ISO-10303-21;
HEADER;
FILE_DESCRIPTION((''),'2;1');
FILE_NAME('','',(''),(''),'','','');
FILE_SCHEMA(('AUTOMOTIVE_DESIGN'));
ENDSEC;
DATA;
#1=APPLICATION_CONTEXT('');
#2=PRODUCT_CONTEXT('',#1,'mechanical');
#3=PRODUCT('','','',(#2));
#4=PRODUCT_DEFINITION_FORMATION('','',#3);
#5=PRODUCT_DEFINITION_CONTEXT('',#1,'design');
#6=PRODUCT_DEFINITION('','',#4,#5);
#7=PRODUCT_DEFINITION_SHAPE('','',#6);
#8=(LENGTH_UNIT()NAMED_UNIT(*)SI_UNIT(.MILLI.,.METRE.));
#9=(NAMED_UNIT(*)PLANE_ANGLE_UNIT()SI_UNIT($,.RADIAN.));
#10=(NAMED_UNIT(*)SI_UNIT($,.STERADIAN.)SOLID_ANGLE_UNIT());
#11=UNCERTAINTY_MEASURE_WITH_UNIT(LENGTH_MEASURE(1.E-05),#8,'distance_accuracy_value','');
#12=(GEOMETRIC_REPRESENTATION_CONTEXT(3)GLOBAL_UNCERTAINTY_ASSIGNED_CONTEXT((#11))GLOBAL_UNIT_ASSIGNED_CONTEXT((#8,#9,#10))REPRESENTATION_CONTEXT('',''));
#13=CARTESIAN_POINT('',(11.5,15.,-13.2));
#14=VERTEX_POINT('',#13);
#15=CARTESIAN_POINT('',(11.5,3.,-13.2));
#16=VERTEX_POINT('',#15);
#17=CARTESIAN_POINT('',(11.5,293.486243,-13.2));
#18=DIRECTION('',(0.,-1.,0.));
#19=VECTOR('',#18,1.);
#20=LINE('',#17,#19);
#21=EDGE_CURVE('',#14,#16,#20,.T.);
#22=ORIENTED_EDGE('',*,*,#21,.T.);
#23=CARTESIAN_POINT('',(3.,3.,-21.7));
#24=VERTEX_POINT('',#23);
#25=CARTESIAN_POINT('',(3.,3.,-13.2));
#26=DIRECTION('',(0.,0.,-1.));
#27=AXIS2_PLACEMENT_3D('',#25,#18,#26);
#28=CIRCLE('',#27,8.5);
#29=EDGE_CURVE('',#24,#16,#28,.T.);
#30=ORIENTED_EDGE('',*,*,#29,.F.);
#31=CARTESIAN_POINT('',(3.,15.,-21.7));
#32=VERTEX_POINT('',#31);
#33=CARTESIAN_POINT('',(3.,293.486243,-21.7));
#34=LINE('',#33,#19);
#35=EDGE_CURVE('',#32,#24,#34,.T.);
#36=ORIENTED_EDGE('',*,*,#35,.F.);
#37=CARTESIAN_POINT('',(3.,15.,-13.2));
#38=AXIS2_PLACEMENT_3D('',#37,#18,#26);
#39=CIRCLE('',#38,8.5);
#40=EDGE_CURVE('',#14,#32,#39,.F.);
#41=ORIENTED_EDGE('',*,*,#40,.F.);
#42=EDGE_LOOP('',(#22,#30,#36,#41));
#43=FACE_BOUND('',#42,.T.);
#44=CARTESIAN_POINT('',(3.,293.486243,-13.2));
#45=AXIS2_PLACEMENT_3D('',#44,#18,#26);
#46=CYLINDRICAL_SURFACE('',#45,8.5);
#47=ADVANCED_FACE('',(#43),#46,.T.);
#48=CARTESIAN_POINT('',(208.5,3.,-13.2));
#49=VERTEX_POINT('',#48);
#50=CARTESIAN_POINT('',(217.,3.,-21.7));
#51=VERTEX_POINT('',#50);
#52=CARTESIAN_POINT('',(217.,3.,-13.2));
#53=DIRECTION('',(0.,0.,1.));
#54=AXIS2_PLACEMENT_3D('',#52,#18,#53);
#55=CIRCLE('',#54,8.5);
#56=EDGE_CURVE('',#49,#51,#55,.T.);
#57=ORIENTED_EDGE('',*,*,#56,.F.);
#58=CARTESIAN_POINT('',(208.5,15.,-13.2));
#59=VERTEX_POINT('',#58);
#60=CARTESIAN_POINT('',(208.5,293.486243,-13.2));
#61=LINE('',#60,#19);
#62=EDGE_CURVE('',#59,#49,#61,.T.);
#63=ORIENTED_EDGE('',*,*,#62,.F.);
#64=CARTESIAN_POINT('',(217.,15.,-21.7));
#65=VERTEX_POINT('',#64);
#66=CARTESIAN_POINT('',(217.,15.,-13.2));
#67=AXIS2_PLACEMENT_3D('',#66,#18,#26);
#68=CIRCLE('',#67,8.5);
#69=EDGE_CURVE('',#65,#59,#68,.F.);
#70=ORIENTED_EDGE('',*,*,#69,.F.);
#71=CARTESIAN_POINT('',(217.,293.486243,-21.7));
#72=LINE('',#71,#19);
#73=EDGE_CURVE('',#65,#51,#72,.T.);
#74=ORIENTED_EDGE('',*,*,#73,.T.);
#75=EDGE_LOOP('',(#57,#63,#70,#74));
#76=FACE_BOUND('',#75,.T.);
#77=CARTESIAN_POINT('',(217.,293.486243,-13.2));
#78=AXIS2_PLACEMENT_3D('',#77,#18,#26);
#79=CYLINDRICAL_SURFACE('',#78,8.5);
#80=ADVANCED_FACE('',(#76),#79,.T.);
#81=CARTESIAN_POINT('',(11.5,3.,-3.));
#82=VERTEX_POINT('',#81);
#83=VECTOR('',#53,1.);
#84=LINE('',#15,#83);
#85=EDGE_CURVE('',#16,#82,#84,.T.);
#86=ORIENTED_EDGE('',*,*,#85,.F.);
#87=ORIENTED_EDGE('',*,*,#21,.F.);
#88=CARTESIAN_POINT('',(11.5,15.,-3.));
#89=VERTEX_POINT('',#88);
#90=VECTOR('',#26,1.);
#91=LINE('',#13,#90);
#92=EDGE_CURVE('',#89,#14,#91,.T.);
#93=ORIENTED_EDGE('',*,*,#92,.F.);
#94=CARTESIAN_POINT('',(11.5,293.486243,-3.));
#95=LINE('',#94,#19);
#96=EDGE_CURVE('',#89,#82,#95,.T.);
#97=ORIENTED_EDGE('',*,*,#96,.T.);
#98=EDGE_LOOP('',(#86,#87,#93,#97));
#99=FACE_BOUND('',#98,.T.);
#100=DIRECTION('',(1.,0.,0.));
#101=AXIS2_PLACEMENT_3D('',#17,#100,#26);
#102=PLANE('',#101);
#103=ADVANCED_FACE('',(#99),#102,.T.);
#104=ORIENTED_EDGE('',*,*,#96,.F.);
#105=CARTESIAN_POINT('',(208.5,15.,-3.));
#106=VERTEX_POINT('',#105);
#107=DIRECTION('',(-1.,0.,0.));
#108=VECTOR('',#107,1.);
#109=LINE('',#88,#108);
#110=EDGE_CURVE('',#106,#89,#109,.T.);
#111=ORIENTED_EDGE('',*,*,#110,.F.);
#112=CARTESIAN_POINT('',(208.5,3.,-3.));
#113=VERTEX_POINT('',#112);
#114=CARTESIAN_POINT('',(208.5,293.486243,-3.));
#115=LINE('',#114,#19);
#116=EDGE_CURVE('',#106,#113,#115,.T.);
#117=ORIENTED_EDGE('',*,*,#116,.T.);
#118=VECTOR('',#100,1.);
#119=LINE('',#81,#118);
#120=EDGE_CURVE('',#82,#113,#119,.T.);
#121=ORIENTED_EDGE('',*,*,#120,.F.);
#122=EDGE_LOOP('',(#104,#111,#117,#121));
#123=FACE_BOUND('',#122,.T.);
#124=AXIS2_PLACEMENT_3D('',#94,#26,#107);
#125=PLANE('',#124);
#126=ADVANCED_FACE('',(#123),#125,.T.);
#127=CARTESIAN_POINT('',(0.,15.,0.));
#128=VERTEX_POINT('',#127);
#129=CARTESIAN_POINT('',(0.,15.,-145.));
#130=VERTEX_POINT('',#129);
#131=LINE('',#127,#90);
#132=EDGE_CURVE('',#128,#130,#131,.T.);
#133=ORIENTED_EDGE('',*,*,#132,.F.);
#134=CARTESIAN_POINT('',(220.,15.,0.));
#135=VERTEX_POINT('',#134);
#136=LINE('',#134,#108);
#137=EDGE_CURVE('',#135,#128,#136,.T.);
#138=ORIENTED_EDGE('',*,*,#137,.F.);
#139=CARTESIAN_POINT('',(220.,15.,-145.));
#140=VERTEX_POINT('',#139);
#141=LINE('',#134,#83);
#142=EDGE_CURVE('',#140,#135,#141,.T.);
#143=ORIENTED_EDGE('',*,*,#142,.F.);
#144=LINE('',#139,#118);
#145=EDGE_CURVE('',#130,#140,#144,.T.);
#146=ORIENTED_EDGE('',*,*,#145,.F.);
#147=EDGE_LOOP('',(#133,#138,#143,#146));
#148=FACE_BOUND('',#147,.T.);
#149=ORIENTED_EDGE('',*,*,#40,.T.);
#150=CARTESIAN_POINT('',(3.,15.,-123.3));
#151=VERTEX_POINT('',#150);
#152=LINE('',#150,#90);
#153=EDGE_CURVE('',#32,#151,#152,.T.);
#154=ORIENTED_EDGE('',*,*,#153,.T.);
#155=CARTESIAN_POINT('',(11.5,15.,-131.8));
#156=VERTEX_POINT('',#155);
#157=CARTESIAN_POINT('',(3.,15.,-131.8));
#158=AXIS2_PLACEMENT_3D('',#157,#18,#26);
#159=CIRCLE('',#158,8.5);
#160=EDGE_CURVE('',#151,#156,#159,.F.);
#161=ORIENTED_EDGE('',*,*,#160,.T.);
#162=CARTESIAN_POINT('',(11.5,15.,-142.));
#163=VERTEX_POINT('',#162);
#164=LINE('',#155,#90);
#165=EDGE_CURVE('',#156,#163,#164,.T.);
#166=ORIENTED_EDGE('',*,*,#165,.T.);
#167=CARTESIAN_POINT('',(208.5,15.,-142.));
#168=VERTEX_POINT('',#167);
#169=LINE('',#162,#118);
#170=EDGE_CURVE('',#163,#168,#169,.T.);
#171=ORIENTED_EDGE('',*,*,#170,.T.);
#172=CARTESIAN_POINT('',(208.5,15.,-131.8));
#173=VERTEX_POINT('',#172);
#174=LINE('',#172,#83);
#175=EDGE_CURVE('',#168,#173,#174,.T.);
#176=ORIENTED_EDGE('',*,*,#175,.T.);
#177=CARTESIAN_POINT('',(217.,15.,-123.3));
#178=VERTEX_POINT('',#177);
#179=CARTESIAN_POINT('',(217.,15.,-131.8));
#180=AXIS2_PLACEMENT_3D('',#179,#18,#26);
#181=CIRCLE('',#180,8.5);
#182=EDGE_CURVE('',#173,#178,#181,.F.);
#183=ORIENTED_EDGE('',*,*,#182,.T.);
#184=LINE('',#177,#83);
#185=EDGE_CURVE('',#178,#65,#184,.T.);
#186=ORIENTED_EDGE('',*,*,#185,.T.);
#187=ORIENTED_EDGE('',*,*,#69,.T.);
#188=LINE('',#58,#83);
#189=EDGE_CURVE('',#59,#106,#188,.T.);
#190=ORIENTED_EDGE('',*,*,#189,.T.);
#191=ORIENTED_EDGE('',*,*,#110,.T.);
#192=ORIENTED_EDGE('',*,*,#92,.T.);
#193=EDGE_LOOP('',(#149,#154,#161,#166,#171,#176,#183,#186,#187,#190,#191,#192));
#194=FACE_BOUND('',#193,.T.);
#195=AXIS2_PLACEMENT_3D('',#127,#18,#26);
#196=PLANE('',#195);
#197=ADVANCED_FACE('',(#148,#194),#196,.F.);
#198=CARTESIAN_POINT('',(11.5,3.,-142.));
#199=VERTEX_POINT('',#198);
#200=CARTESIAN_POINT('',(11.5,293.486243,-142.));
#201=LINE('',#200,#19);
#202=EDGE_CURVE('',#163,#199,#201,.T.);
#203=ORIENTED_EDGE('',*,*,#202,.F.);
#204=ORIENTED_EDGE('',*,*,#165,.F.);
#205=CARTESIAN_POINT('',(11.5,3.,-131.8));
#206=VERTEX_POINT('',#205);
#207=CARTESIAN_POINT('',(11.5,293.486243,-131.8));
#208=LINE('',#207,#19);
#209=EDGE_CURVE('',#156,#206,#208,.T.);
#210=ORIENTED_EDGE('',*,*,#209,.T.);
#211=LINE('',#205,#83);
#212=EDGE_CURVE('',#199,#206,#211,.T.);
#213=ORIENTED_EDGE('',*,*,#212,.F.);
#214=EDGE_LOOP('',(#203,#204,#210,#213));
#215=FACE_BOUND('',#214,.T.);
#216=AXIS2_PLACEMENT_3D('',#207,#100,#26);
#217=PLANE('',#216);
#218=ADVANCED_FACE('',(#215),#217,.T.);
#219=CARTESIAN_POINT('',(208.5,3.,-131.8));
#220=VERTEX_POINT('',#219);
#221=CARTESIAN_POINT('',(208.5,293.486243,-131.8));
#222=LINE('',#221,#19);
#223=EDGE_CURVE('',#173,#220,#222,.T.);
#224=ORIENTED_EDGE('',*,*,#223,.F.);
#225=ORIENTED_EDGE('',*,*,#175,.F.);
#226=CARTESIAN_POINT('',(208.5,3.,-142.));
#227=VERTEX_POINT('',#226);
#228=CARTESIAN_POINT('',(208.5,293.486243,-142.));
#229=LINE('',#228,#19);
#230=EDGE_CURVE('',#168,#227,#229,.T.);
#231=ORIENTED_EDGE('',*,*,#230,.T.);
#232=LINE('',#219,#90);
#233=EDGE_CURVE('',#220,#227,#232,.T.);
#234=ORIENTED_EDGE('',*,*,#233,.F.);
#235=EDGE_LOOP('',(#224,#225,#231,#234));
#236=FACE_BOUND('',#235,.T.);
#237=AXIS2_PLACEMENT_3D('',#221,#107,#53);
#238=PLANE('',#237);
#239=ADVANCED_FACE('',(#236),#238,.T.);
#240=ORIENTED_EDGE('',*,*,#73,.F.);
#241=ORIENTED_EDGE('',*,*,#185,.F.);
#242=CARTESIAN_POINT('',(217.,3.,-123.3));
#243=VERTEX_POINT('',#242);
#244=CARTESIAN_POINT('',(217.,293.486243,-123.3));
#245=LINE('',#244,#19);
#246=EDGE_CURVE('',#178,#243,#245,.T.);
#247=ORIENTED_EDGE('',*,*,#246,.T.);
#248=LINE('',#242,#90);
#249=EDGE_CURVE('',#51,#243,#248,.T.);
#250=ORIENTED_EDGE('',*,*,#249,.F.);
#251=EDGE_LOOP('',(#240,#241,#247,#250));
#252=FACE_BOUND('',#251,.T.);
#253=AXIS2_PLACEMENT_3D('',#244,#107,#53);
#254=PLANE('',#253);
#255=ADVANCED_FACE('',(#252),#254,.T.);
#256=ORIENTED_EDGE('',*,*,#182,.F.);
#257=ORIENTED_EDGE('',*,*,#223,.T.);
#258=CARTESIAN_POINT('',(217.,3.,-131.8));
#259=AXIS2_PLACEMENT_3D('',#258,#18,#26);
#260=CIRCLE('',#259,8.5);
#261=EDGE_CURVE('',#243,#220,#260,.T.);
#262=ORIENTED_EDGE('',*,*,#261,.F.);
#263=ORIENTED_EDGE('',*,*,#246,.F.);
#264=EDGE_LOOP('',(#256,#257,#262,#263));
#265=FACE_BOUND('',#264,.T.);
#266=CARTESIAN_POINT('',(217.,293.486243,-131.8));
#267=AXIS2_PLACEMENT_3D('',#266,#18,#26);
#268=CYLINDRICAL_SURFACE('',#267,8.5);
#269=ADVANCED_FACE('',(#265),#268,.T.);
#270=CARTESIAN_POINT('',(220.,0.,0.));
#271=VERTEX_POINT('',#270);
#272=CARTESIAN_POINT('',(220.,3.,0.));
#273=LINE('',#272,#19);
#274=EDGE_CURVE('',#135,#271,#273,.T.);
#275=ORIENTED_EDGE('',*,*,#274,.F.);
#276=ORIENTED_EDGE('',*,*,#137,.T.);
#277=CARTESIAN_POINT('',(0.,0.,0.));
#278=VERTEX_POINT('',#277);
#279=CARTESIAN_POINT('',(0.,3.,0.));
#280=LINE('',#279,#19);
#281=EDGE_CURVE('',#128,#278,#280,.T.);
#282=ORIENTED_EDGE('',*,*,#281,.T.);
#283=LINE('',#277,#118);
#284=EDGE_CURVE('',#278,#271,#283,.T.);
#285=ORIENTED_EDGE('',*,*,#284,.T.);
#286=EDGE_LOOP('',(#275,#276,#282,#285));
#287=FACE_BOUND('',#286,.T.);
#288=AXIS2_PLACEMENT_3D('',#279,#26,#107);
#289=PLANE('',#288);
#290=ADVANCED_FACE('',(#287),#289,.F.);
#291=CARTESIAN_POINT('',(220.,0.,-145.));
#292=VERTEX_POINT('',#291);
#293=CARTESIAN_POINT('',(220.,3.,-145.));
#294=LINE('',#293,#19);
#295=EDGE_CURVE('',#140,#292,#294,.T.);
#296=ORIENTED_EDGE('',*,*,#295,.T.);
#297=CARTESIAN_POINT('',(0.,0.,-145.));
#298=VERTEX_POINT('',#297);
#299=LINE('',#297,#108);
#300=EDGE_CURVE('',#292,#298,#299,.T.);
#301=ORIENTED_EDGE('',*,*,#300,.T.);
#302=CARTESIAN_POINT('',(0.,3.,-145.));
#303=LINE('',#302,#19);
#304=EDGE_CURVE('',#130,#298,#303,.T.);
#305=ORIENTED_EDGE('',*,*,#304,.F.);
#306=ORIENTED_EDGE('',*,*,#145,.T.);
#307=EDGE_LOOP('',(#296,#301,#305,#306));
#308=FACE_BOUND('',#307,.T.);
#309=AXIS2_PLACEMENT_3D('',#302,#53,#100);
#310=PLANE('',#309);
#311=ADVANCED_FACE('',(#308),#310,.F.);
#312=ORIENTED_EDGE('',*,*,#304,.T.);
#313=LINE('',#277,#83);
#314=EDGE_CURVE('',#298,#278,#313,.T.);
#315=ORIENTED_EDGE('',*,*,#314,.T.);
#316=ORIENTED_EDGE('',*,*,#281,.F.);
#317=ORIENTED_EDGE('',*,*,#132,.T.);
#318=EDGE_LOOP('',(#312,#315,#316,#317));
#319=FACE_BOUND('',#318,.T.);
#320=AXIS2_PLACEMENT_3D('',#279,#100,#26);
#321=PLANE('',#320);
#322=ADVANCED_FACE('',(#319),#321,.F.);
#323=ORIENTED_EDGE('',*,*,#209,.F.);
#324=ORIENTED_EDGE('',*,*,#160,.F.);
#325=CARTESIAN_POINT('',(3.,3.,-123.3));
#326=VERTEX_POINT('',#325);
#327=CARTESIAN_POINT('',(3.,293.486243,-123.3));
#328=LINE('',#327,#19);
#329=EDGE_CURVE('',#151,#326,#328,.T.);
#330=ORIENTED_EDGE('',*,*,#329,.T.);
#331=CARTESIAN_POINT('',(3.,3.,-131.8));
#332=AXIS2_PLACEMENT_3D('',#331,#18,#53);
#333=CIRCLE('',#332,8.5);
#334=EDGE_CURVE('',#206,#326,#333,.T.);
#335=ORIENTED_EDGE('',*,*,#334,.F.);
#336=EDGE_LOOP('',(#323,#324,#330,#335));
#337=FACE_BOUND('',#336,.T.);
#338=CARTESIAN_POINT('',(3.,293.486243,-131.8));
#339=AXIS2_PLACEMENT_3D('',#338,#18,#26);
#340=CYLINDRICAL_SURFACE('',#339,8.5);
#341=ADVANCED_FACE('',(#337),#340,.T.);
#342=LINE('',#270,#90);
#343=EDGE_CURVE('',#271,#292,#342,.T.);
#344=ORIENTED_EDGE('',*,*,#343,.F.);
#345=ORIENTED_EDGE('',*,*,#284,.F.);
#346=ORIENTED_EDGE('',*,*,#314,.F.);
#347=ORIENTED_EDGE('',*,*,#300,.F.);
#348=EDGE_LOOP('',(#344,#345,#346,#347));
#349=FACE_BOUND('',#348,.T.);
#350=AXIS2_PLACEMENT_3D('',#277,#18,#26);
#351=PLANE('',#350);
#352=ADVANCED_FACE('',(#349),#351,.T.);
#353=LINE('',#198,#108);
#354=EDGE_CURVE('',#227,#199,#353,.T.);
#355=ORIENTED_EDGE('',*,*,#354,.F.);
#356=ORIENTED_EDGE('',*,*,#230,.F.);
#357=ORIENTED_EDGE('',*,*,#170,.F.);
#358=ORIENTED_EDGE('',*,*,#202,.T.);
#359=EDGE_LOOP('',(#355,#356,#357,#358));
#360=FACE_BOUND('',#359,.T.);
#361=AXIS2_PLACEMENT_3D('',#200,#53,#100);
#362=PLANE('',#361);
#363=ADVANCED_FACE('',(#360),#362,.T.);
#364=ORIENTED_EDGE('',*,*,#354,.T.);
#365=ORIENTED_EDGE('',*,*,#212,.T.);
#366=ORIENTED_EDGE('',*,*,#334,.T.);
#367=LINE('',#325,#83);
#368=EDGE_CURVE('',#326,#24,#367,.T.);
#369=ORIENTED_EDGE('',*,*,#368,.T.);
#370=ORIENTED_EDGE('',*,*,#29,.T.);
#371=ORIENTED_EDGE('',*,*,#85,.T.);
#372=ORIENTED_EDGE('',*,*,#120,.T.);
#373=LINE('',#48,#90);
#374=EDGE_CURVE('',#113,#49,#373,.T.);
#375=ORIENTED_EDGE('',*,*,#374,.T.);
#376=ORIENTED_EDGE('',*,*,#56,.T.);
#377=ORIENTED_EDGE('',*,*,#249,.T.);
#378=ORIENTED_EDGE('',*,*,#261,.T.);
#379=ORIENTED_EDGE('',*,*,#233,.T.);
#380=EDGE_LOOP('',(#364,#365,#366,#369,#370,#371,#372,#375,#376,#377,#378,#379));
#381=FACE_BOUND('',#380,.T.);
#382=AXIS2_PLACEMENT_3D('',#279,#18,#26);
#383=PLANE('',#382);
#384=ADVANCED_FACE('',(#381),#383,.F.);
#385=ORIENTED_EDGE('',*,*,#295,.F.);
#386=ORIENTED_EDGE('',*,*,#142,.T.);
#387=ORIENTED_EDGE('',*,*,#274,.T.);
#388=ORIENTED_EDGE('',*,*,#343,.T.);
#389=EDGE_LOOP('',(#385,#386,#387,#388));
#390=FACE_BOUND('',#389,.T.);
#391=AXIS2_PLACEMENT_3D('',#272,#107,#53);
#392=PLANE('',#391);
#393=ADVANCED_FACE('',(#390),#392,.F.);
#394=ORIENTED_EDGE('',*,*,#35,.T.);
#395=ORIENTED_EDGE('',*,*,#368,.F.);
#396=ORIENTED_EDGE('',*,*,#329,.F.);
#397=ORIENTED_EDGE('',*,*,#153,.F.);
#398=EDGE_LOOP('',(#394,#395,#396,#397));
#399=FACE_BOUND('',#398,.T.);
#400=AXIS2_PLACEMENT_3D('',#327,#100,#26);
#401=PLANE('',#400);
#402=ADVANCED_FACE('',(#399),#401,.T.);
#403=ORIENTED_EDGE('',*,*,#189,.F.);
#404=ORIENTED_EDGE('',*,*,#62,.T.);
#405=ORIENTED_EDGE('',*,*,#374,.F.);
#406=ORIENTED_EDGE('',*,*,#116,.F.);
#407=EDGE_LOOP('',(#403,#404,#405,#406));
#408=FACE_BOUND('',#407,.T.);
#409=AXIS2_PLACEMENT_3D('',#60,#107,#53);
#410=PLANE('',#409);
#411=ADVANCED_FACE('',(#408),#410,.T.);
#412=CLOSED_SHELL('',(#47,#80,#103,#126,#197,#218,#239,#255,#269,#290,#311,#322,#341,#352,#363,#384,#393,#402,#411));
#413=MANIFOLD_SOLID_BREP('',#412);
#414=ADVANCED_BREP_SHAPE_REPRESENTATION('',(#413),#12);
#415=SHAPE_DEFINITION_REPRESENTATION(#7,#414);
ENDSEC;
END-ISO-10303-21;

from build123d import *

# Parameters (mm, degrees)
SKETCH1_W           = 220
SKETCH1_H           = 145
BOSS_EXTRUDE1_DEPTH = 3
SKETCH2_W           = 220
SKETCH2_H           = 145
BOSS_EXTRUDE2_DEPTH = 12


with BuildPart() as part:
    # Sketch1 → Boss-Extrude1 (new body)
    with BuildSketch(Plane(origin=(0, 0, 0), x_dir=(1, 0, 0), z_dir=(0, 1, 0))):
        with Locations((110, 72.5)):
            Rectangle(SKETCH1_W, SKETCH1_H)
    extrude(amount=BOSS_EXTRUDE1_DEPTH)

    # Sketch2 → Boss-Extrude2 (add)
    with BuildSketch(Plane(origin=(0, 3, 0), x_dir=(1, 0, 0), z_dir=(0, 1, 0))):
        with Locations((110, 72.5)):
            Rectangle(SKETCH2_W, SKETCH2_H)
        with BuildLine():
            Line((3, 123.3), (3, 21.7))
            ThreePointArc((3, 21.7), (9.01040764, 19.21040764), (11.5, 13.2))
            Line((11.5, 13.2), (11.5, 3))
            Line((11.5, 3), (208.5, 3))
            Line((208.5, 3), (208.5, 13.2))
            ThreePointArc((208.5, 13.2), (210.98959236, 19.21040764), (217, 21.7))
            Line((217, 21.7), (217, 123.3))
            ThreePointArc((217, 123.3), (210.98959236, 125.78959236), (208.5, 131.8))
            Line((208.5, 131.8), (208.5, 142))
            Line((208.5, 142), (11.5, 142))
            Line((11.5, 142), (11.5, 131.8))
            ThreePointArc((11.5, 131.8), (9.01040764, 125.78959236), (3, 123.3))
        make_face(mode=Mode.SUBTRACT)
    extrude(amount=BOSS_EXTRUDE2_DEPTH)


solid = part.part
